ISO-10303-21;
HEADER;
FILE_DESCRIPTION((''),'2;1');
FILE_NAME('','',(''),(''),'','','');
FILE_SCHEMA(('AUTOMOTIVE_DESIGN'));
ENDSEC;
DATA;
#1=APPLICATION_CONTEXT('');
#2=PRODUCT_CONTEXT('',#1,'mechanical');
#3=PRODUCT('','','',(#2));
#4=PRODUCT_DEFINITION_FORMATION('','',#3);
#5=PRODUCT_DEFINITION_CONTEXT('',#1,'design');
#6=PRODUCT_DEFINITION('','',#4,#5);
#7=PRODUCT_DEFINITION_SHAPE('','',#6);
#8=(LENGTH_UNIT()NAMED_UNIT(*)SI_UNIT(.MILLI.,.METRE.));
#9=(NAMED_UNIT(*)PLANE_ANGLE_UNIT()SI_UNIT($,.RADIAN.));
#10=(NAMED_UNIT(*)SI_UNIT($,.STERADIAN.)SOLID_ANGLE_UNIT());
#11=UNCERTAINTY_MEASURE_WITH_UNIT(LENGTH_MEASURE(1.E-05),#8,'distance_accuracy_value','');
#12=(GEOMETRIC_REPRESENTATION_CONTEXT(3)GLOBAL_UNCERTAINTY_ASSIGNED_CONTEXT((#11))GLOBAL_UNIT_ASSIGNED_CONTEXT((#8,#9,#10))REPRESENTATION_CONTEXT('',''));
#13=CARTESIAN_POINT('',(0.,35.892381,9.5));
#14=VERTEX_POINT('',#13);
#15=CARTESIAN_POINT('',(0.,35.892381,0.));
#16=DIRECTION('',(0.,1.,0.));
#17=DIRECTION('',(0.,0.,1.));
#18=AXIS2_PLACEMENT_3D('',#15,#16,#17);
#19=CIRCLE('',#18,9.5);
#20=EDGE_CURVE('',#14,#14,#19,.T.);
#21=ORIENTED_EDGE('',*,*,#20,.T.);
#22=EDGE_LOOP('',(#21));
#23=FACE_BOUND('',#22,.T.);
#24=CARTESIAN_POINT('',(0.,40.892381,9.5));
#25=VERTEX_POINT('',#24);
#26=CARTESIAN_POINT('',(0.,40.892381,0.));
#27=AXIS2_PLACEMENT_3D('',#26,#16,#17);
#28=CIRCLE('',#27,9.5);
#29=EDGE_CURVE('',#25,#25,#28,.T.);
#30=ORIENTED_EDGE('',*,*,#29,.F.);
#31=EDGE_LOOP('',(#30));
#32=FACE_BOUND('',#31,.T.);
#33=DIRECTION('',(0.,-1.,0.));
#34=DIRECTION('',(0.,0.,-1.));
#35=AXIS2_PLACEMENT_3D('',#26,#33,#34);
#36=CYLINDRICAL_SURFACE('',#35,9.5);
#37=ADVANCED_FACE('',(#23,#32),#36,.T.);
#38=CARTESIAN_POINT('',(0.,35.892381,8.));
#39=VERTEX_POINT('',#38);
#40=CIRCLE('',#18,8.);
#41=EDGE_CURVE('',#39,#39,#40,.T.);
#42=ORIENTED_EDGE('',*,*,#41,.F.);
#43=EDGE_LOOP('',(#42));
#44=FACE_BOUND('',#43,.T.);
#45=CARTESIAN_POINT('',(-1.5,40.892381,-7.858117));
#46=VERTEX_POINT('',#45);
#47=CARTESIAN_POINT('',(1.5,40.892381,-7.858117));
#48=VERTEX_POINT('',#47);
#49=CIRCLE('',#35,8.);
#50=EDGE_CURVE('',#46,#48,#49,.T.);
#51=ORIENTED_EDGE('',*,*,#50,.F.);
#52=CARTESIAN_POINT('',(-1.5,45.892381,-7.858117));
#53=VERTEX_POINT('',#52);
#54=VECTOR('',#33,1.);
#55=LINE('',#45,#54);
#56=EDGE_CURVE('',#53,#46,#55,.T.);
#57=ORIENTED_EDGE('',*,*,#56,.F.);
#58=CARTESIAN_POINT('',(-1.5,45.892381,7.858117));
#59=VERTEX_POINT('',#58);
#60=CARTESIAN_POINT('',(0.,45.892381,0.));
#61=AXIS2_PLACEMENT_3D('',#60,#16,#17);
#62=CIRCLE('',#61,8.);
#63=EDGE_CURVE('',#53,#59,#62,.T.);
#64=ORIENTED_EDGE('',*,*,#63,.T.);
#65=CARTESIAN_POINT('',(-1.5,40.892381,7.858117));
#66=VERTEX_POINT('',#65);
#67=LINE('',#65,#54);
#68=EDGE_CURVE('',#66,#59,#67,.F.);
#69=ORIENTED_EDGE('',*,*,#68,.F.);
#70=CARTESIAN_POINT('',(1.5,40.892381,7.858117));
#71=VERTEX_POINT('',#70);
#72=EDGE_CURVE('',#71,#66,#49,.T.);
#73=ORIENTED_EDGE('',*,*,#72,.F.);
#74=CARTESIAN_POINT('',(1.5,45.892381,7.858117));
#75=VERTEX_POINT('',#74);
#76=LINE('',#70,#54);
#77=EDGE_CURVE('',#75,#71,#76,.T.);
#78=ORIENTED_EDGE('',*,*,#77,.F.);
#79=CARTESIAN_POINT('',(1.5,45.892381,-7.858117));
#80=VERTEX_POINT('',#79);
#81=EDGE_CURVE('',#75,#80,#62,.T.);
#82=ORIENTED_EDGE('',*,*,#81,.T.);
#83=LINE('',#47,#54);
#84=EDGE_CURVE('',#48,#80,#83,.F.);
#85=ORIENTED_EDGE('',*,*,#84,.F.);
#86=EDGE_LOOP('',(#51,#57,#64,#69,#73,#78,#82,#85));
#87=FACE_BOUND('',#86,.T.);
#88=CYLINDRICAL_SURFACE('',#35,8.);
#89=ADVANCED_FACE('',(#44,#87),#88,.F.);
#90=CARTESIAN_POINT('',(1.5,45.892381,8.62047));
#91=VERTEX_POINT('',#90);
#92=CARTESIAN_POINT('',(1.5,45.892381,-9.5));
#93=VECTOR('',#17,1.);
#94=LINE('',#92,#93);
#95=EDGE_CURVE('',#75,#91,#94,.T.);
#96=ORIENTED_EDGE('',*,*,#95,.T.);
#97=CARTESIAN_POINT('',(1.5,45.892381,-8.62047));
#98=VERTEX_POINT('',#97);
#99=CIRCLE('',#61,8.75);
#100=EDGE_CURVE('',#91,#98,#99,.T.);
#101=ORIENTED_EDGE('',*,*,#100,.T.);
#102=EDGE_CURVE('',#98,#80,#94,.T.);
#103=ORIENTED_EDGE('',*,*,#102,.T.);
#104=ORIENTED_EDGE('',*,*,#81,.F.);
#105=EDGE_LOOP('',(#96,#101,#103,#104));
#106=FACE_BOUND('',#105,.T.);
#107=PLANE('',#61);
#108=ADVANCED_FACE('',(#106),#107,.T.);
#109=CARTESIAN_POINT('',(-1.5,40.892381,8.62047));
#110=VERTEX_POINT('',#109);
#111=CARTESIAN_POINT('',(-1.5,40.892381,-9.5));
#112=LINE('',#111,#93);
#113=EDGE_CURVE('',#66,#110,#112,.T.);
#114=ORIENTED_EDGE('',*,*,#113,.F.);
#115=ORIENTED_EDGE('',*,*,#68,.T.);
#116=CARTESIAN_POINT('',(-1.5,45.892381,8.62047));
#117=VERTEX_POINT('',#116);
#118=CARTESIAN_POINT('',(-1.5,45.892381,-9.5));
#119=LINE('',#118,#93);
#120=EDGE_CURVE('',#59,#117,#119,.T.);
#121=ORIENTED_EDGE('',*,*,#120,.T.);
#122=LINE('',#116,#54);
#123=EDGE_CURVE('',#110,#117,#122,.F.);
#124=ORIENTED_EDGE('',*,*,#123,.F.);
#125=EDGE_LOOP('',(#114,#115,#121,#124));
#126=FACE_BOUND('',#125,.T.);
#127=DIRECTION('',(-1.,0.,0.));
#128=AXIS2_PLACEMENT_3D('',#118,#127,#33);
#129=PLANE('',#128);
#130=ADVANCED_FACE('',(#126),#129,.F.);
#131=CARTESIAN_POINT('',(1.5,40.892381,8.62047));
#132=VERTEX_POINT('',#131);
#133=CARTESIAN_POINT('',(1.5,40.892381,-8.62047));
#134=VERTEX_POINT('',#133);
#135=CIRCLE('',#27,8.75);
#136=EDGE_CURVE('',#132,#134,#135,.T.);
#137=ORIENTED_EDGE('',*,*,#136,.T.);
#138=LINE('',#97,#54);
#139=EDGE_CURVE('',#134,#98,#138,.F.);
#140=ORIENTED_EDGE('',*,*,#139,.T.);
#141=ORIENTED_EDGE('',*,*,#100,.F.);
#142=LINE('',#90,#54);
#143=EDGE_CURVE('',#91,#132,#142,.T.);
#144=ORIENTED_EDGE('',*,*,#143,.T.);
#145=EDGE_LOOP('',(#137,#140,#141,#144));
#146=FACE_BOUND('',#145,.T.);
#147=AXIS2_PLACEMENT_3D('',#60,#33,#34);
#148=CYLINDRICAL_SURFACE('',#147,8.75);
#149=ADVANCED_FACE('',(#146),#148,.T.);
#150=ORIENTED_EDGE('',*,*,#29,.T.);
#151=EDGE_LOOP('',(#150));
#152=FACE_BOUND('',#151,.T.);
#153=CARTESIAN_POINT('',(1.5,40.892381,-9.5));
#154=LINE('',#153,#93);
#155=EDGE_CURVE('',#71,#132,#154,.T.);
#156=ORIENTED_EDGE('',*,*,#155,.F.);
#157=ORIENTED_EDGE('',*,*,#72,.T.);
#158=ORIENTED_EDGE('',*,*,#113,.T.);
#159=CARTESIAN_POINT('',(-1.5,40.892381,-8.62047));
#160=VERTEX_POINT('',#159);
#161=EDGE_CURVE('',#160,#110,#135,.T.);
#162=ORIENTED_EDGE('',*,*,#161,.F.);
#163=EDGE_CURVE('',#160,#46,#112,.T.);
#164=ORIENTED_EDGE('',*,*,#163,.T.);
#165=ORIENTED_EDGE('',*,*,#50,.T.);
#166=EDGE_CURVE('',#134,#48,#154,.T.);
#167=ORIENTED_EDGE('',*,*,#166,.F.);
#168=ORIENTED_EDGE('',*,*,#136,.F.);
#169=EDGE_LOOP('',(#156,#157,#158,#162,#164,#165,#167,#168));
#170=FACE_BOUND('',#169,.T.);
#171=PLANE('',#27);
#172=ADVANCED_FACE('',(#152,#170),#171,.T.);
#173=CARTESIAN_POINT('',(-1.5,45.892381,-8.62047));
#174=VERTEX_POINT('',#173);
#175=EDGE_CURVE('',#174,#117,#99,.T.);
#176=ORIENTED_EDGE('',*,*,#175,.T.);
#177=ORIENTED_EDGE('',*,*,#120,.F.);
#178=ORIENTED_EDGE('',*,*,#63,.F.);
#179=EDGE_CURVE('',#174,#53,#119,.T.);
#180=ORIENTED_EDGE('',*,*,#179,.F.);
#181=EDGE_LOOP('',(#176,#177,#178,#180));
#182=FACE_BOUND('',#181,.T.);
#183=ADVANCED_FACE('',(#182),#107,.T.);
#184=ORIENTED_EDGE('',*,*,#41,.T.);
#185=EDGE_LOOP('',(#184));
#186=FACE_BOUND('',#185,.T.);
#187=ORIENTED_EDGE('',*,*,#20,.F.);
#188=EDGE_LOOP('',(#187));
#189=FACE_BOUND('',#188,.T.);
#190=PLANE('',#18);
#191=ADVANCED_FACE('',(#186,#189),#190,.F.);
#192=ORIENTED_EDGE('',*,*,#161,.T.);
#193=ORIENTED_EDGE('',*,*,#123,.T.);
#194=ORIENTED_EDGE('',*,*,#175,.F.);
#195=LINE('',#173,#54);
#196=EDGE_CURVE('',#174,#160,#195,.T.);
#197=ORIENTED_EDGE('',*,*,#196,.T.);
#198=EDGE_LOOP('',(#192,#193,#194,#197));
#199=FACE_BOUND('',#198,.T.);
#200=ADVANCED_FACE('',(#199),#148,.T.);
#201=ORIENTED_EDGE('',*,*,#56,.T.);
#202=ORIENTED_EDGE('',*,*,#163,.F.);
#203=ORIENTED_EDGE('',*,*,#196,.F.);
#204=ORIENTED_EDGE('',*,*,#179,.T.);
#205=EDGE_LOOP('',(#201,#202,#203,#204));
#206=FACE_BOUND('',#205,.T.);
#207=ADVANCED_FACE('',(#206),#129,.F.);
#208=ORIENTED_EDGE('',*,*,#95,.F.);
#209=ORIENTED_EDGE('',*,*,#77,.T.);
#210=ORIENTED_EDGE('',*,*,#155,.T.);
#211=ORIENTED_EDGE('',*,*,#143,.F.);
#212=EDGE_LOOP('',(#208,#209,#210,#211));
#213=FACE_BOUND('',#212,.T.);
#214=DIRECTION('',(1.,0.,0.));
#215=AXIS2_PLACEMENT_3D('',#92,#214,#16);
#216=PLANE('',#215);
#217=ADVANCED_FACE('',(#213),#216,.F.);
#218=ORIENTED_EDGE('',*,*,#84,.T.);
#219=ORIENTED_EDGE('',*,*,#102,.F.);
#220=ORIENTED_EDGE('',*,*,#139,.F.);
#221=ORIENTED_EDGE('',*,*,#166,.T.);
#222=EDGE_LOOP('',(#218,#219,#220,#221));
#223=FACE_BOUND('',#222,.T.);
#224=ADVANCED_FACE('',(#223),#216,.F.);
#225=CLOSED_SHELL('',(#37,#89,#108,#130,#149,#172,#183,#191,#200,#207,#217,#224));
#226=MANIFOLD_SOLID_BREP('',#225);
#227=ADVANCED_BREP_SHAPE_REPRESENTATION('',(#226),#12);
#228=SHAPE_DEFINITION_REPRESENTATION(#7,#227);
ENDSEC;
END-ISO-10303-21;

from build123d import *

# Parameters (mm, degrees)
SKETCH1_R               = 95
SKETCH1_R_2             = 80
BOSS_EXTRUDE1_DEPTH     = 50
SKETCH2_R               = 87.5
SKETCH2_R_2             = 80
BOSS_EXTRUDE2_DEPTH     = 50
CUT_EXTRUDE1_DEPTH      = 168.481342244
CUT_EXTRUDE1_DEPTH_BACK = 168.481342244
SCALE1_SCALE            = 0.1


with BuildPart() as part:
    # Sketch1 → Boss-Extrude1 (new body)
    with BuildSketch(Plane(origin=(0, 0, 0), x_dir=(1, 0, 0), z_dir=(0, 1, 0))):
        with Locations(Location((0, 0, 0), (0, 0, 270))):
            Circle(SKETCH1_R)
        with Locations(Location((0, 0, 0), (0, 0, 270))):
            Circle(SKETCH1_R_2, mode=Mode.SUBTRACT)
    extrude(amount=BOSS_EXTRUDE1_DEPTH)

    # Sketch2 → Boss-Extrude2 (add)
    with BuildSketch(Plane(origin=(0, 50, 0), x_dir=(1, 0, 0), z_dir=(0, 1, 0))):
        with Locations(Location((0, 0, 0), (0, 0, 270))):
            Circle(SKETCH2_R)
        with Locations(Location((0, 0, 0), (0, 0, 270))):
            Circle(SKETCH2_R_2, mode=Mode.SUBTRACT)
    extrude(amount=BOSS_EXTRUDE2_DEPTH)

    # Sketch4 → Cut-Extrude1 (cut, two sides: drawn at the far end of the back side and taken through both)
    with BuildSketch(Plane.XY.offset(-CUT_EXTRUDE1_DEPTH_BACK)):
        Polygon((0, 100), (-15, 100), (-15, 50), (15, 50), (15, 100), align=None)
    extrude(amount=CUT_EXTRUDE1_DEPTH + CUT_EXTRUDE1_DEPTH_BACK, mode=Mode.SUBTRACT)


with BuildPart() as part_1:
    # Scale1: scaled about (0, 39.880423453, 0)
    add(part.part.scale(SCALE1_SCALE).moved(Location((0, 35.892381108, 0))))


solid = part_1.part
